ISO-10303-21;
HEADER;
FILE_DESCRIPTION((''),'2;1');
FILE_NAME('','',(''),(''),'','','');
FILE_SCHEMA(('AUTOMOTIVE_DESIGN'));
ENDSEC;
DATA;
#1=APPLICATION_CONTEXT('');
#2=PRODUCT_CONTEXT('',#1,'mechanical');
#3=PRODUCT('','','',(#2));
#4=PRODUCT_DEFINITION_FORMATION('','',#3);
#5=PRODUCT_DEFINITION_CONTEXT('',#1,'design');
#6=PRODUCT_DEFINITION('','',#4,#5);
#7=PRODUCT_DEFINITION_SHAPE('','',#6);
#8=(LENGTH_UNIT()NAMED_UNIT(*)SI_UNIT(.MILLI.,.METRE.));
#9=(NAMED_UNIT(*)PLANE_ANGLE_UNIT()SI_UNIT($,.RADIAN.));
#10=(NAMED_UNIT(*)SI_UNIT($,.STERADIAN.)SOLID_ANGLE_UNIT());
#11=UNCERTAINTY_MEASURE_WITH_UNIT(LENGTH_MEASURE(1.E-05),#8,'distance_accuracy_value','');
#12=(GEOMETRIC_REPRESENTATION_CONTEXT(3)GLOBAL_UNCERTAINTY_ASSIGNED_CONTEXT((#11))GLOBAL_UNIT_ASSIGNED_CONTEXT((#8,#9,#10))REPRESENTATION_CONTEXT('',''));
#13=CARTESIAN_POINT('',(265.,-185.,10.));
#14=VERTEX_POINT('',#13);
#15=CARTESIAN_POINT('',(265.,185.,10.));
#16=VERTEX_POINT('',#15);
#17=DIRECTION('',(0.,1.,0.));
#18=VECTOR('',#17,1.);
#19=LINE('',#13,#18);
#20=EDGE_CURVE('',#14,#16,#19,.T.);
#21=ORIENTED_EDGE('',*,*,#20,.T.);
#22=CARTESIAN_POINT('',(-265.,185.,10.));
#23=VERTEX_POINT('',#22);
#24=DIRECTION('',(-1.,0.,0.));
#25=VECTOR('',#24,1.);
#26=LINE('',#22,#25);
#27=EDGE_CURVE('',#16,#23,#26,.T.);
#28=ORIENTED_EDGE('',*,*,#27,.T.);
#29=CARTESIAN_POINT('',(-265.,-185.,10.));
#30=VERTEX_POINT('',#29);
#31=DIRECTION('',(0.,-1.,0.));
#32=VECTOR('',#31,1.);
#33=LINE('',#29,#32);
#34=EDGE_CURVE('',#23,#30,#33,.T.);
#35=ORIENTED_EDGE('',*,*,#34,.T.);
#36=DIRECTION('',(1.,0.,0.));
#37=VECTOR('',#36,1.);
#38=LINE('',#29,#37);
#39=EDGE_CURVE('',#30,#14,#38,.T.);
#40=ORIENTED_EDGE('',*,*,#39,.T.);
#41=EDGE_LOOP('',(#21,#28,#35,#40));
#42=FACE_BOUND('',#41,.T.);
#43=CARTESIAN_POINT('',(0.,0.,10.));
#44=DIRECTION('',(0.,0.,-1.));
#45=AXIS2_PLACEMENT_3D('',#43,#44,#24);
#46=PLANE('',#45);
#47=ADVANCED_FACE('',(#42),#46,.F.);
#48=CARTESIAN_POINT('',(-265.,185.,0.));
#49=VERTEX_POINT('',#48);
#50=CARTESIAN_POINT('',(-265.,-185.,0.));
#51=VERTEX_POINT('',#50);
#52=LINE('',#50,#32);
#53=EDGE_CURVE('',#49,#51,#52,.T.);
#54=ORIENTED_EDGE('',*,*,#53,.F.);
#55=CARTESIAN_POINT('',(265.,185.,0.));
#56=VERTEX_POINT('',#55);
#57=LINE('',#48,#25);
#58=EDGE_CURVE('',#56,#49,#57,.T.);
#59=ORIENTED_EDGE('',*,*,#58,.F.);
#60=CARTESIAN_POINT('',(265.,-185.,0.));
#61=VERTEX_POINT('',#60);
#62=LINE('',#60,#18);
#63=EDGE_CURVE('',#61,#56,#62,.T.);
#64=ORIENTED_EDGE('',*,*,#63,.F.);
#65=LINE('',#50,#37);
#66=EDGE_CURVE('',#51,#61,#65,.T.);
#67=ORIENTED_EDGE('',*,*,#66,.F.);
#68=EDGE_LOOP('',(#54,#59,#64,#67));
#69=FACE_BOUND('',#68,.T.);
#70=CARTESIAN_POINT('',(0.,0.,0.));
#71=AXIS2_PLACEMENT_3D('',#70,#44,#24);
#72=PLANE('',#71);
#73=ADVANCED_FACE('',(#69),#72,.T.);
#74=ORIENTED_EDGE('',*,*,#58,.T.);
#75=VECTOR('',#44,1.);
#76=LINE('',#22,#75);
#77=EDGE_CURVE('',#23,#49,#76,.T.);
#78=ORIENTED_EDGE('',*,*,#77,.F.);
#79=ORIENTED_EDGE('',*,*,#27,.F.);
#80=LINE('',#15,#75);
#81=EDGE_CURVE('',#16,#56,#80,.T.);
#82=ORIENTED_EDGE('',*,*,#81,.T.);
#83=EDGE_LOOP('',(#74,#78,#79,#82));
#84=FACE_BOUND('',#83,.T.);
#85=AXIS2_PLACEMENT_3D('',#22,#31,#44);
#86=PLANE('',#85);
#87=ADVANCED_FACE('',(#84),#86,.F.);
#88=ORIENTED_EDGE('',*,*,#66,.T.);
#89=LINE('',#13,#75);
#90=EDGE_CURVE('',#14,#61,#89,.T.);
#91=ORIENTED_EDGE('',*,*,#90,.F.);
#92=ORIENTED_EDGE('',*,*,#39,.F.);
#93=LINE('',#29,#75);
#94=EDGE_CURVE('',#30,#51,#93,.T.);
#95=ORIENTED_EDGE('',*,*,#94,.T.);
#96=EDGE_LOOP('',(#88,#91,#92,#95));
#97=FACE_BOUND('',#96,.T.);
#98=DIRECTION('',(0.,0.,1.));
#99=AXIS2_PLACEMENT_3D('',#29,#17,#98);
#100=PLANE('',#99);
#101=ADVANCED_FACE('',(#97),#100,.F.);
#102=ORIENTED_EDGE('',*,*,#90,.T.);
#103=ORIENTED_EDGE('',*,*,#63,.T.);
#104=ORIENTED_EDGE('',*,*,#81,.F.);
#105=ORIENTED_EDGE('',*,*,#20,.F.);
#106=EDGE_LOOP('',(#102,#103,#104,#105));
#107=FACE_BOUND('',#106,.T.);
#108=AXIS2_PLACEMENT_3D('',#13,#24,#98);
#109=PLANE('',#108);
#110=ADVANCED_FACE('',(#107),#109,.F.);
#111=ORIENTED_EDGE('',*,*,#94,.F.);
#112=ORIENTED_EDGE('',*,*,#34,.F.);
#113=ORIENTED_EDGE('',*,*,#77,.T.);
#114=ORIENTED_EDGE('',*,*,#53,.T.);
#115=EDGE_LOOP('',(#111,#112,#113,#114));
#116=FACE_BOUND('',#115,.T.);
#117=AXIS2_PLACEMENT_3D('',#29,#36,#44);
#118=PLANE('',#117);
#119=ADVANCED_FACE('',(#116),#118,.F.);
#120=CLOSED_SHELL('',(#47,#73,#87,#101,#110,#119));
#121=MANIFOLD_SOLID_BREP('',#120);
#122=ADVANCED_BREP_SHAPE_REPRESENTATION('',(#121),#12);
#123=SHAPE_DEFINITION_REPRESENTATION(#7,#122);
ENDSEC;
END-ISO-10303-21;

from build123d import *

# Parameters (mm, degrees)
SKETCH1_W           = 530
SKETCH1_H           = 370
BOSS_EXTRUDE1_DEPTH = 10


with BuildPart() as part:
    # Sketch1 → Boss-Extrude1 (new body)
    with BuildSketch(Plane.XY):
        Rectangle(SKETCH1_W, SKETCH1_H)
    extrude(amount=BOSS_EXTRUDE1_DEPTH)


solid = part.part
